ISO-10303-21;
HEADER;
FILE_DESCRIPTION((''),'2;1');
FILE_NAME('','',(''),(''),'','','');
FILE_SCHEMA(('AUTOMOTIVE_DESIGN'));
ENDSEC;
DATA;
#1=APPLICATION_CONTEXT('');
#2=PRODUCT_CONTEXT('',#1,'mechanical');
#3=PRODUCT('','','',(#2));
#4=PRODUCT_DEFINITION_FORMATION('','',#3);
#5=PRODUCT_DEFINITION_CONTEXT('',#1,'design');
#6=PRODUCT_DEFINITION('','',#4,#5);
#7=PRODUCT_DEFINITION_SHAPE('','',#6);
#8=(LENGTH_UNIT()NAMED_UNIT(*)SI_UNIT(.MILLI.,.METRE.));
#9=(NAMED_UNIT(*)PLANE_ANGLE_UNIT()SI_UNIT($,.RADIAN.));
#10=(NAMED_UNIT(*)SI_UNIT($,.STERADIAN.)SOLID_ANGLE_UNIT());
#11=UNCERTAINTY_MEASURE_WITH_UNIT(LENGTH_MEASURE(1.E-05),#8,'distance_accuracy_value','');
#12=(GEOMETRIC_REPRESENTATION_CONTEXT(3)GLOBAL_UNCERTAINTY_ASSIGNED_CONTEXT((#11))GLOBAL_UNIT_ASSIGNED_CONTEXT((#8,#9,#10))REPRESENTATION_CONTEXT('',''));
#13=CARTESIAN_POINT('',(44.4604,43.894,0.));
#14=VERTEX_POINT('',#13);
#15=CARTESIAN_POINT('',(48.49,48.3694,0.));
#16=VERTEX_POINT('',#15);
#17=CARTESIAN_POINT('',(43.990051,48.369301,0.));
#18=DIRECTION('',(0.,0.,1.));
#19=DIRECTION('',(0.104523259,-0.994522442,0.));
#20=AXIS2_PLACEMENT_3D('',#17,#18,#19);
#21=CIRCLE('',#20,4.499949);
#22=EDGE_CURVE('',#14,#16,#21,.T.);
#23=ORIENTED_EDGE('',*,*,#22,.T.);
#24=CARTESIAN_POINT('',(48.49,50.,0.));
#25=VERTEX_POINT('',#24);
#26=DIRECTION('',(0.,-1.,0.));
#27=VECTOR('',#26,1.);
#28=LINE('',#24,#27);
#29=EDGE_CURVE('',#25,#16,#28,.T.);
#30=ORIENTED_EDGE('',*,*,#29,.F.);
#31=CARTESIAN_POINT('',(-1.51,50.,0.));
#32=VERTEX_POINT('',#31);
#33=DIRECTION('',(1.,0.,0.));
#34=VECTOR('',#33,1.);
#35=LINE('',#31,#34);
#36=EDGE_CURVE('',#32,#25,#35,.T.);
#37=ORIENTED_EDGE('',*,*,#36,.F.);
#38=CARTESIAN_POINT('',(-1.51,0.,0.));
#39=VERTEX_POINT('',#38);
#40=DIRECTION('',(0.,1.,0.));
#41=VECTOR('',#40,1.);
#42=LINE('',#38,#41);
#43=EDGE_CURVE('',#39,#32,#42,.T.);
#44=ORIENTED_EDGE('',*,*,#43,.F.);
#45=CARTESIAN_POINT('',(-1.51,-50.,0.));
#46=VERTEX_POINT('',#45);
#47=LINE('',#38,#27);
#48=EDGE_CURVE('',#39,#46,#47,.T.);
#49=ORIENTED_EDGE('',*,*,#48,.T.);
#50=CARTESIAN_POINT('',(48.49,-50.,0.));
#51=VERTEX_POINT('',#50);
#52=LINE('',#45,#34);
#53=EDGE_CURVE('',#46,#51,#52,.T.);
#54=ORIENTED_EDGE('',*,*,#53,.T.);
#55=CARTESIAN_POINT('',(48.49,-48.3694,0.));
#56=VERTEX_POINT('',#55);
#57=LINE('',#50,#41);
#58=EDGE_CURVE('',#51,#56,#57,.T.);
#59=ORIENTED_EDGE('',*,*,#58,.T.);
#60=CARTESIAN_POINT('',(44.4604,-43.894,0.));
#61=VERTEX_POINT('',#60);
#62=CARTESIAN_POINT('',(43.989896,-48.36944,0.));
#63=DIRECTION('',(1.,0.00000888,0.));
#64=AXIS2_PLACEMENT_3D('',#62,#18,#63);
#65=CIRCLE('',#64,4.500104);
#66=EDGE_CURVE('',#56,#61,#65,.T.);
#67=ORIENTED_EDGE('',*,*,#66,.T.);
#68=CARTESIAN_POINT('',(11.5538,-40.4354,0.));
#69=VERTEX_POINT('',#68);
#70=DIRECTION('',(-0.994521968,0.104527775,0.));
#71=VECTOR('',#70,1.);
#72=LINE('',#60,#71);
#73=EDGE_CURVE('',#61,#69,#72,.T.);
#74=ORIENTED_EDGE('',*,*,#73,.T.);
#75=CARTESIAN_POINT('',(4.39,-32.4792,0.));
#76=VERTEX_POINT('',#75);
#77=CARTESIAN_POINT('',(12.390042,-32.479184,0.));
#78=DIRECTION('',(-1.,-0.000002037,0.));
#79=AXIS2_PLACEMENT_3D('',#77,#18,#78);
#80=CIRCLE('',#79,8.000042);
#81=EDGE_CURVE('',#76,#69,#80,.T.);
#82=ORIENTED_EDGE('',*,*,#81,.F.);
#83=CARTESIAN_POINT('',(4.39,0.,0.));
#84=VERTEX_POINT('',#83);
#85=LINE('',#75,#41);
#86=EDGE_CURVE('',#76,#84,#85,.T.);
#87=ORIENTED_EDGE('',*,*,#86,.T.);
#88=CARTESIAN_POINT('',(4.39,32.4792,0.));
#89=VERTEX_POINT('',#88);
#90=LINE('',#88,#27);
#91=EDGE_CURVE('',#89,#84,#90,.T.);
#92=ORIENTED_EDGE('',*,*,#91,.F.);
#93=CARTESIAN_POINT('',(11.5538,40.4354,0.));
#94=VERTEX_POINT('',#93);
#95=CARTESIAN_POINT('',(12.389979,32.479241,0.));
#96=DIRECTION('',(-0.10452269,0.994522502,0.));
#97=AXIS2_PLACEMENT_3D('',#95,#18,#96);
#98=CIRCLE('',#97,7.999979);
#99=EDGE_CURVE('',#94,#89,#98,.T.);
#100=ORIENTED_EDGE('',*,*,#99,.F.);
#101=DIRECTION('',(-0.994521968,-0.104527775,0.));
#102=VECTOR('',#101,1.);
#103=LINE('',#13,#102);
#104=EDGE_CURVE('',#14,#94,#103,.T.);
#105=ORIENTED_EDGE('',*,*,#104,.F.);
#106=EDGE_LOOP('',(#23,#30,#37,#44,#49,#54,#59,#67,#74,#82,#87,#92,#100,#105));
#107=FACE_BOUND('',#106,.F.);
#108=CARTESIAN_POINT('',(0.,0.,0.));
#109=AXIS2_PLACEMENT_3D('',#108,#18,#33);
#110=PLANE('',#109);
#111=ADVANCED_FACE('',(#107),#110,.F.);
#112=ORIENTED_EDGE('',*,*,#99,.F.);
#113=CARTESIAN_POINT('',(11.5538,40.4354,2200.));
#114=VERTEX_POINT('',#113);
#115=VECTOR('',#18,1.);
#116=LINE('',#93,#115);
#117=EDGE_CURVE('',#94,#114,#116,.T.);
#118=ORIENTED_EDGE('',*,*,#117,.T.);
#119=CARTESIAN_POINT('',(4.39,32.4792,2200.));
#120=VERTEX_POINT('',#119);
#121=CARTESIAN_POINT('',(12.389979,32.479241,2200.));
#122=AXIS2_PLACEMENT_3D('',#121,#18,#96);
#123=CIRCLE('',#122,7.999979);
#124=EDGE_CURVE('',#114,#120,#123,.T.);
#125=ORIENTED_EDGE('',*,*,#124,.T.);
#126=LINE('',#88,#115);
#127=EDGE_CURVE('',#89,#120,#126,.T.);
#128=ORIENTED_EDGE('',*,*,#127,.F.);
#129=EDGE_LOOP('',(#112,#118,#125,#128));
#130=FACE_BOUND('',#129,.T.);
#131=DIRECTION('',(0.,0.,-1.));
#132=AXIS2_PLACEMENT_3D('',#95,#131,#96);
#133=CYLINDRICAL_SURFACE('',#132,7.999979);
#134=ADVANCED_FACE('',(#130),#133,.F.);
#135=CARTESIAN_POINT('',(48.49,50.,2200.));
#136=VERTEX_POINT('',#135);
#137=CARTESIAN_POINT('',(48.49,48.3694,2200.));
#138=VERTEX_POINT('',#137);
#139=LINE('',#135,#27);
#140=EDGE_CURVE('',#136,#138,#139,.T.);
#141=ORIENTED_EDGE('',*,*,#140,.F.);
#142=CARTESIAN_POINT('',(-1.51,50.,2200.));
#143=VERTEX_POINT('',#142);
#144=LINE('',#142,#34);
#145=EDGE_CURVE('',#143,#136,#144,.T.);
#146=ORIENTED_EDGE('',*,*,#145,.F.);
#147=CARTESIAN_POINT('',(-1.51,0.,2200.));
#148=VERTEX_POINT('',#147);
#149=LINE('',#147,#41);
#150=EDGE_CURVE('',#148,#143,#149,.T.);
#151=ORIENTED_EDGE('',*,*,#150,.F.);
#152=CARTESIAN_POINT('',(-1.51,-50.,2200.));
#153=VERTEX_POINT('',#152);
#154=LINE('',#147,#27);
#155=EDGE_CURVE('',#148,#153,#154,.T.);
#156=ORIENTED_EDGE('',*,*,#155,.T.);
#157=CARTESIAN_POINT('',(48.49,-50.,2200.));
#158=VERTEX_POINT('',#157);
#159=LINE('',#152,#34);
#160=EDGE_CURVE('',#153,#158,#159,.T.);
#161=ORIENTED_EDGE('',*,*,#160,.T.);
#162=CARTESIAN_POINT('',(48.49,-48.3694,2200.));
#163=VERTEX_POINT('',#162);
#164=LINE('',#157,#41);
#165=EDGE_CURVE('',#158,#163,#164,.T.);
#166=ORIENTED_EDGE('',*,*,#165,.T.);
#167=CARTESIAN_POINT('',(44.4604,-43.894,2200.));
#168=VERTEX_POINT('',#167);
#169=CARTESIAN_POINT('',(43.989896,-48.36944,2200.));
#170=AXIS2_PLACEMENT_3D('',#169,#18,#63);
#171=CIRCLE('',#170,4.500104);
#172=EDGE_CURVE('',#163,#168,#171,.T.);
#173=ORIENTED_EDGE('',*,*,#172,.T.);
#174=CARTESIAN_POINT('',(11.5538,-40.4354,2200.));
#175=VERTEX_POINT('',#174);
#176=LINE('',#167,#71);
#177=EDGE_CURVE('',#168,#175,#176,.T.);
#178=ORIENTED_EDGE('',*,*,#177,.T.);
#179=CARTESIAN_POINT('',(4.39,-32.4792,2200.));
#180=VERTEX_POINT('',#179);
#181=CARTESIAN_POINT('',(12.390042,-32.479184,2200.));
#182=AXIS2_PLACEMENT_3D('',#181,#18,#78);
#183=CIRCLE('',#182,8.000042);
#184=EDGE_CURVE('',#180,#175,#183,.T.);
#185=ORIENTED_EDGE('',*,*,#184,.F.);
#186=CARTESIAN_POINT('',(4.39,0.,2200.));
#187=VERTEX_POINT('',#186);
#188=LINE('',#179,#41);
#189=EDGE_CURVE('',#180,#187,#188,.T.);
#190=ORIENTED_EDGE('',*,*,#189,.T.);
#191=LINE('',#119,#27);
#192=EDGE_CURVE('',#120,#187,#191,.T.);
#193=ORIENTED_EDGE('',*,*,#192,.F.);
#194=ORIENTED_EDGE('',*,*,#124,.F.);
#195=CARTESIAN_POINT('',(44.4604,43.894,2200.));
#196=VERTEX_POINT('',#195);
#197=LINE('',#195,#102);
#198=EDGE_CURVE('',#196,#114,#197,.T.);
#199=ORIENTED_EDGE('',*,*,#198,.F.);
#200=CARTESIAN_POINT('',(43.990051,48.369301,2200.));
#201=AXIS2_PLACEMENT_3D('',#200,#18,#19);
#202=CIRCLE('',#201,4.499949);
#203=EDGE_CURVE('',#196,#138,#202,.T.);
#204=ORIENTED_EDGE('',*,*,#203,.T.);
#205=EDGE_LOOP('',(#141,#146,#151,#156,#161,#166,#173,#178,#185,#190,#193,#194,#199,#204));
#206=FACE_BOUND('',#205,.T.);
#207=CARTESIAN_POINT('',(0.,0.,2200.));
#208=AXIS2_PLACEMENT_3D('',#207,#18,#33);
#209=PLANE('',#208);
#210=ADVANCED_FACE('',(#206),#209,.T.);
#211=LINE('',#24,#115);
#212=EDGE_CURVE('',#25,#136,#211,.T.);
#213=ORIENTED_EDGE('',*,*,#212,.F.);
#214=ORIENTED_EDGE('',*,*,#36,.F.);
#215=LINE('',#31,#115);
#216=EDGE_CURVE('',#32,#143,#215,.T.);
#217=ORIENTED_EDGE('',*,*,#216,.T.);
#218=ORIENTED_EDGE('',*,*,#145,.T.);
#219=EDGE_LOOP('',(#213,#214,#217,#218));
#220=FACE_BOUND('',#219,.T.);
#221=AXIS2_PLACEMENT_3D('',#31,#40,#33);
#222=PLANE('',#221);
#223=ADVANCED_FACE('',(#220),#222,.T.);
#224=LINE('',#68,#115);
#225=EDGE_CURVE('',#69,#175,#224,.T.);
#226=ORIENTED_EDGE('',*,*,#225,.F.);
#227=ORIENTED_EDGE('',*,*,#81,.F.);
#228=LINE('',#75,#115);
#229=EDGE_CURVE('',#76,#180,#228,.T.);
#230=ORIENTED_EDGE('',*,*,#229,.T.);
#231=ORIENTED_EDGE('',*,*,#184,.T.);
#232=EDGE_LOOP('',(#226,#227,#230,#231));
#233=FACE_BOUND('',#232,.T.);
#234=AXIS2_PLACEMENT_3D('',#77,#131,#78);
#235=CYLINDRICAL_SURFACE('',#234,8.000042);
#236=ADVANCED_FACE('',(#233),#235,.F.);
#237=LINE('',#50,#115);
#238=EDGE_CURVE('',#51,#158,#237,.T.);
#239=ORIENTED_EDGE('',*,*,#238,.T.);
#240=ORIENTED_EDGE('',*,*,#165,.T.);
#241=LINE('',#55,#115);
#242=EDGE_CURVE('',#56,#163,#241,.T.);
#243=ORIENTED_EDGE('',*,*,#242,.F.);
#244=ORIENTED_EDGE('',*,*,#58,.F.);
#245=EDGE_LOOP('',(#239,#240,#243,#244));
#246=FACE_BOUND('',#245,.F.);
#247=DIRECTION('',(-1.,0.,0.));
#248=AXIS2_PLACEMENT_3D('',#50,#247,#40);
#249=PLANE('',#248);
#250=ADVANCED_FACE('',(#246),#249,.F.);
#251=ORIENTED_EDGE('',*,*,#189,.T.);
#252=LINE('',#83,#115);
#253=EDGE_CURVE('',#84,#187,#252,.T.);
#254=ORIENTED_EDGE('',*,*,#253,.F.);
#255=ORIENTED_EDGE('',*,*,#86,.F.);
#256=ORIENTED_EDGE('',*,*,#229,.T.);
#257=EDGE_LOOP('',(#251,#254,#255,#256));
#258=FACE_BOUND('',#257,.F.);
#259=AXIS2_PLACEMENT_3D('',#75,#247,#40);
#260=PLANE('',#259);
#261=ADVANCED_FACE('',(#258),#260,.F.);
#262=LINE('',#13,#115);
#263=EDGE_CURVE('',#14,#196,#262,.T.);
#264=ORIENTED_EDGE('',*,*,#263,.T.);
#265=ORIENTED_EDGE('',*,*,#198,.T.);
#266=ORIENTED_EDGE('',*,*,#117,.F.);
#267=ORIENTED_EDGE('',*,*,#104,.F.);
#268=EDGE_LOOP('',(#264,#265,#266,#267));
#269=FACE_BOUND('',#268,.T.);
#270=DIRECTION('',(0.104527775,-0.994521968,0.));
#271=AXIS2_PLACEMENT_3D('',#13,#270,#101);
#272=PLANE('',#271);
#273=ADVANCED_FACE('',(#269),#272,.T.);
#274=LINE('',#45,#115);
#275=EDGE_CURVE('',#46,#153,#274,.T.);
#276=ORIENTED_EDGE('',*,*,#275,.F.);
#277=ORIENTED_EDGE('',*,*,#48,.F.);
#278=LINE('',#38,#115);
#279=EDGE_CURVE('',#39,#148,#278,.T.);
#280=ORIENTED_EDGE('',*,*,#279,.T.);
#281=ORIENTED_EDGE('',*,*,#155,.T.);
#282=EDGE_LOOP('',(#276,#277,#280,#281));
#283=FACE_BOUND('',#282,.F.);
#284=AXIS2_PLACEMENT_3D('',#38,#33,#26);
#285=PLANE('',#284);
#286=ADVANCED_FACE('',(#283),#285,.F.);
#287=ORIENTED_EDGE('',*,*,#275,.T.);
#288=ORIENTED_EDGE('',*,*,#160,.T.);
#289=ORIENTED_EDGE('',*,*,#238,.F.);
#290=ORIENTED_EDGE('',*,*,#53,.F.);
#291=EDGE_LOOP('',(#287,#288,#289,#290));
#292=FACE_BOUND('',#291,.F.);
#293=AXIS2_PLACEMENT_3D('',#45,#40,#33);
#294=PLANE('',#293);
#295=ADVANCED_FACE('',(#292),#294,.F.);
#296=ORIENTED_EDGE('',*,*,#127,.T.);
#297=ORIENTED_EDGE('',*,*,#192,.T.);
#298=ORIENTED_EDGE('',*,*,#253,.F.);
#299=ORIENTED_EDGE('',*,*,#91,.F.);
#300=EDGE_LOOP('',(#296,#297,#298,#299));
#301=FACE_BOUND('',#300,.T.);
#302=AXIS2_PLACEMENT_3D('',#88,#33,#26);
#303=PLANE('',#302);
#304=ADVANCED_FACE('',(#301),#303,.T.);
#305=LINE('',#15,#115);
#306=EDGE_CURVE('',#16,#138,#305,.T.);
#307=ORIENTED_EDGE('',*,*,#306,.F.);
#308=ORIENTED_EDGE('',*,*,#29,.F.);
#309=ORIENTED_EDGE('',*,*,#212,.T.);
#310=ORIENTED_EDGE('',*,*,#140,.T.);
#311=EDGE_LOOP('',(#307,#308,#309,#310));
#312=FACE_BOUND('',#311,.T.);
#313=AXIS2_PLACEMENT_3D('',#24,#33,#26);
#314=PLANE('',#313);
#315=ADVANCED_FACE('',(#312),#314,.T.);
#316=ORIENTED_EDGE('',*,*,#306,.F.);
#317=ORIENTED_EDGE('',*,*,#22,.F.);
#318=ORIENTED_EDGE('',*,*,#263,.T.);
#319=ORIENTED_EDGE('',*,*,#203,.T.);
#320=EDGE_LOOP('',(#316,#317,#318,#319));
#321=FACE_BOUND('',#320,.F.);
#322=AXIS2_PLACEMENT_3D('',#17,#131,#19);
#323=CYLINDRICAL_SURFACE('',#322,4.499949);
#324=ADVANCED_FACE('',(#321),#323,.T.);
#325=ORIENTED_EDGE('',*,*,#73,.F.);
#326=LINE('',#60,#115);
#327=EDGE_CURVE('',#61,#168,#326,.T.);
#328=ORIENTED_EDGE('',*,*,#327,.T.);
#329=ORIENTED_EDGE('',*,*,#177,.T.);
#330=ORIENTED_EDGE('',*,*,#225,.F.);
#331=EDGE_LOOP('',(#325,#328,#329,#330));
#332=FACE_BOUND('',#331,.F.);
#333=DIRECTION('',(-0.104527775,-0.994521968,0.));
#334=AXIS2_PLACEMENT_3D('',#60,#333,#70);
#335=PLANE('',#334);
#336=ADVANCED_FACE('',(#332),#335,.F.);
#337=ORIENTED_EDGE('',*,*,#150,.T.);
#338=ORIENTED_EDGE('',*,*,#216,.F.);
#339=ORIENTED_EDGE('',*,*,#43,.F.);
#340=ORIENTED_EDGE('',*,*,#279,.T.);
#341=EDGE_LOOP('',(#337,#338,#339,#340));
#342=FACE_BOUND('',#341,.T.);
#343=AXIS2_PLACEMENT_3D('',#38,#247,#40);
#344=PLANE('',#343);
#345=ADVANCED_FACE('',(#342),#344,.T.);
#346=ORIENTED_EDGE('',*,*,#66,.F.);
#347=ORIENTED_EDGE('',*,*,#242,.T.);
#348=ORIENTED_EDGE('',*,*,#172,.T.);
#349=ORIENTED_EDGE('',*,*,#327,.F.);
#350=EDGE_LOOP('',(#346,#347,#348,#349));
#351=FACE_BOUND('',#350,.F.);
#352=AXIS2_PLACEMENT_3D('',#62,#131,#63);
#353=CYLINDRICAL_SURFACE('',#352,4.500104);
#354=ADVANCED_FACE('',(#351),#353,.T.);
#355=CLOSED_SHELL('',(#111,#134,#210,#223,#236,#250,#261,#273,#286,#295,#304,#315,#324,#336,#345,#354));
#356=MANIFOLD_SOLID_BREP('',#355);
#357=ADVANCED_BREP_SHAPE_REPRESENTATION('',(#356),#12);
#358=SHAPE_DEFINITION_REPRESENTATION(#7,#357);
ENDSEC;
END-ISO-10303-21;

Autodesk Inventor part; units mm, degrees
ref_plane "YZ Plane" through (0, 0, 0) normal (1, 0, 0) x (0, 1, 0)
ref_plane "Start plane" through (0, 0, 0) normal (0, 0, 1) x (1, 0, 0)
ref_plane "End plane" through (0, 0, 2200) normal (0, 0, 1) x (1, 0, 0)
sketch "Sketch" plane through (0, 0, 0) normal (0, 0, 1) x (1, 0, 0)
  line L0 (-1.51, 0) -> (-1.51, 50)
  line L1 (-1.51, 50) -> (48.49, 50)
  line L2 (48.49, 50) -> (48.49, 48.3694)
  line L3 (44.4604, 43.894) -> (11.5538, 40.4354)
  line L4 (4.39, 32.4792) -> (4.39, 0)
  line L5 (4.39, 0) -> (-1.51, 0) construction
  line L6 (26.44, 50) -> (26.44, 42) construction
  line L7 (48.49, 44.3175) -> (48.49, 42) construction
  line L8 (48.49, 42) -> (26.44, 42) construction
  line L9 (0, 15) -> (0, -27) construction
  line L10 (-5.539, 0) -> (16.0067, 0) construction
  line L11 (-1.51, 0) -> (-1.51, -50)
  line L12 (-1.51, -50) -> (48.49, -50)
  line L13 (48.49, -50) -> (48.49, -48.3694)
  line L14 (44.4604, -43.894) -> (11.5538, -40.4354)
  line L15 (4.39, -32.4792) -> (4.39, 0)
  arc A0 (11.5538, 40.4354) -> (4.39, 32.4792) centre (12.39, 32.4792) ccw
  arc A1 (4.39, -32.4792) -> (11.5538, -40.4354) centre (12.39, -32.4792) ccw
  arc A2 (44.4604, 43.894) -> (48.49, 48.3694) centre (43.99, 48.3694) ccw
  arc A3 (48.49, -48.3694) -> (44.4604, -43.894) centre (43.99, -48.3694) ccw
  line L16 (0, 70) -> (0, -70) construction
  line L17 (-16.5166, 0) -> (60.3266, 0) construction
  point P0 (4.39, 39.6825)
  point P1 (48.49, -44.3175)
  point P2 (4.39, -39.6825)
  point P3 (26.44, -50)
  point P4 (26.44, -42)
  dimension "d0" = 5.9
  dimension "d1" = 50
  dimension "d2" = 50
  dimension "d3" = 8
  dimension "d4" = 22.05
  dimension "d5" = 2.3175
  dimension "d23" = 8
  dimension "d24" = 4.5
  dimension "d25" = 1.51
extrude "Body" add sketch "Sketch" along normal up to surface (2200 mm away) from surface at 0
sketch "Sketch3" plane through (0, 0, 0) normal (0, 0, 1) x (1, 0, 0)
  line L0 (0, 0) -> (10, 0)
ref_plane "Work Plane3" through (0, 0, 0) normal (0, -1, 0) x (1, 0, 0)
sketch "Sketch4" plane through (0, 0, 0) normal (0, -1, 0) x (1, 0, 0)
  line L0 (-2, 0) -> (12, 0) projected
  line L1 (-2, 2200) -> (12, 2200) projected
  dimension "d29" = 2200
equation "\"d0\" = G_T"
equation "\"d1\" = 0.5 * G_H"
equation "\"d2\" = G_W"
equation "\"d3\" = G_T1"
equation "\"d4\" = G_C"
equation "\"d23\" = G_IR"
equation "\"d24\" = G_ER"
equation "\"d25\" = ex"
equation "\"d6\" = G_L"
equation "\"G_W\" = 50"
equation "\"G_T\" = 5.9"
equation "\"G_T1\" = 8"
equation "\"G_NG\" = 0.105104"
equation "\"G_ER\" = 4.5"
equation "\"G_IR\" = 8"
equation "\"G_C\" = 22.05"
equation "\"G_L\" = d29"
equation "\"ex\" = 1.51"
equation "\"G_OFFSET_START\" = 0"
equation "\"G_OFFSET_END\" = 0"
equation "\"G_H\" = 100"
properties part number "ISO 657/11 - CH 100 x 10 - 2200" material "Steel, Mild"
